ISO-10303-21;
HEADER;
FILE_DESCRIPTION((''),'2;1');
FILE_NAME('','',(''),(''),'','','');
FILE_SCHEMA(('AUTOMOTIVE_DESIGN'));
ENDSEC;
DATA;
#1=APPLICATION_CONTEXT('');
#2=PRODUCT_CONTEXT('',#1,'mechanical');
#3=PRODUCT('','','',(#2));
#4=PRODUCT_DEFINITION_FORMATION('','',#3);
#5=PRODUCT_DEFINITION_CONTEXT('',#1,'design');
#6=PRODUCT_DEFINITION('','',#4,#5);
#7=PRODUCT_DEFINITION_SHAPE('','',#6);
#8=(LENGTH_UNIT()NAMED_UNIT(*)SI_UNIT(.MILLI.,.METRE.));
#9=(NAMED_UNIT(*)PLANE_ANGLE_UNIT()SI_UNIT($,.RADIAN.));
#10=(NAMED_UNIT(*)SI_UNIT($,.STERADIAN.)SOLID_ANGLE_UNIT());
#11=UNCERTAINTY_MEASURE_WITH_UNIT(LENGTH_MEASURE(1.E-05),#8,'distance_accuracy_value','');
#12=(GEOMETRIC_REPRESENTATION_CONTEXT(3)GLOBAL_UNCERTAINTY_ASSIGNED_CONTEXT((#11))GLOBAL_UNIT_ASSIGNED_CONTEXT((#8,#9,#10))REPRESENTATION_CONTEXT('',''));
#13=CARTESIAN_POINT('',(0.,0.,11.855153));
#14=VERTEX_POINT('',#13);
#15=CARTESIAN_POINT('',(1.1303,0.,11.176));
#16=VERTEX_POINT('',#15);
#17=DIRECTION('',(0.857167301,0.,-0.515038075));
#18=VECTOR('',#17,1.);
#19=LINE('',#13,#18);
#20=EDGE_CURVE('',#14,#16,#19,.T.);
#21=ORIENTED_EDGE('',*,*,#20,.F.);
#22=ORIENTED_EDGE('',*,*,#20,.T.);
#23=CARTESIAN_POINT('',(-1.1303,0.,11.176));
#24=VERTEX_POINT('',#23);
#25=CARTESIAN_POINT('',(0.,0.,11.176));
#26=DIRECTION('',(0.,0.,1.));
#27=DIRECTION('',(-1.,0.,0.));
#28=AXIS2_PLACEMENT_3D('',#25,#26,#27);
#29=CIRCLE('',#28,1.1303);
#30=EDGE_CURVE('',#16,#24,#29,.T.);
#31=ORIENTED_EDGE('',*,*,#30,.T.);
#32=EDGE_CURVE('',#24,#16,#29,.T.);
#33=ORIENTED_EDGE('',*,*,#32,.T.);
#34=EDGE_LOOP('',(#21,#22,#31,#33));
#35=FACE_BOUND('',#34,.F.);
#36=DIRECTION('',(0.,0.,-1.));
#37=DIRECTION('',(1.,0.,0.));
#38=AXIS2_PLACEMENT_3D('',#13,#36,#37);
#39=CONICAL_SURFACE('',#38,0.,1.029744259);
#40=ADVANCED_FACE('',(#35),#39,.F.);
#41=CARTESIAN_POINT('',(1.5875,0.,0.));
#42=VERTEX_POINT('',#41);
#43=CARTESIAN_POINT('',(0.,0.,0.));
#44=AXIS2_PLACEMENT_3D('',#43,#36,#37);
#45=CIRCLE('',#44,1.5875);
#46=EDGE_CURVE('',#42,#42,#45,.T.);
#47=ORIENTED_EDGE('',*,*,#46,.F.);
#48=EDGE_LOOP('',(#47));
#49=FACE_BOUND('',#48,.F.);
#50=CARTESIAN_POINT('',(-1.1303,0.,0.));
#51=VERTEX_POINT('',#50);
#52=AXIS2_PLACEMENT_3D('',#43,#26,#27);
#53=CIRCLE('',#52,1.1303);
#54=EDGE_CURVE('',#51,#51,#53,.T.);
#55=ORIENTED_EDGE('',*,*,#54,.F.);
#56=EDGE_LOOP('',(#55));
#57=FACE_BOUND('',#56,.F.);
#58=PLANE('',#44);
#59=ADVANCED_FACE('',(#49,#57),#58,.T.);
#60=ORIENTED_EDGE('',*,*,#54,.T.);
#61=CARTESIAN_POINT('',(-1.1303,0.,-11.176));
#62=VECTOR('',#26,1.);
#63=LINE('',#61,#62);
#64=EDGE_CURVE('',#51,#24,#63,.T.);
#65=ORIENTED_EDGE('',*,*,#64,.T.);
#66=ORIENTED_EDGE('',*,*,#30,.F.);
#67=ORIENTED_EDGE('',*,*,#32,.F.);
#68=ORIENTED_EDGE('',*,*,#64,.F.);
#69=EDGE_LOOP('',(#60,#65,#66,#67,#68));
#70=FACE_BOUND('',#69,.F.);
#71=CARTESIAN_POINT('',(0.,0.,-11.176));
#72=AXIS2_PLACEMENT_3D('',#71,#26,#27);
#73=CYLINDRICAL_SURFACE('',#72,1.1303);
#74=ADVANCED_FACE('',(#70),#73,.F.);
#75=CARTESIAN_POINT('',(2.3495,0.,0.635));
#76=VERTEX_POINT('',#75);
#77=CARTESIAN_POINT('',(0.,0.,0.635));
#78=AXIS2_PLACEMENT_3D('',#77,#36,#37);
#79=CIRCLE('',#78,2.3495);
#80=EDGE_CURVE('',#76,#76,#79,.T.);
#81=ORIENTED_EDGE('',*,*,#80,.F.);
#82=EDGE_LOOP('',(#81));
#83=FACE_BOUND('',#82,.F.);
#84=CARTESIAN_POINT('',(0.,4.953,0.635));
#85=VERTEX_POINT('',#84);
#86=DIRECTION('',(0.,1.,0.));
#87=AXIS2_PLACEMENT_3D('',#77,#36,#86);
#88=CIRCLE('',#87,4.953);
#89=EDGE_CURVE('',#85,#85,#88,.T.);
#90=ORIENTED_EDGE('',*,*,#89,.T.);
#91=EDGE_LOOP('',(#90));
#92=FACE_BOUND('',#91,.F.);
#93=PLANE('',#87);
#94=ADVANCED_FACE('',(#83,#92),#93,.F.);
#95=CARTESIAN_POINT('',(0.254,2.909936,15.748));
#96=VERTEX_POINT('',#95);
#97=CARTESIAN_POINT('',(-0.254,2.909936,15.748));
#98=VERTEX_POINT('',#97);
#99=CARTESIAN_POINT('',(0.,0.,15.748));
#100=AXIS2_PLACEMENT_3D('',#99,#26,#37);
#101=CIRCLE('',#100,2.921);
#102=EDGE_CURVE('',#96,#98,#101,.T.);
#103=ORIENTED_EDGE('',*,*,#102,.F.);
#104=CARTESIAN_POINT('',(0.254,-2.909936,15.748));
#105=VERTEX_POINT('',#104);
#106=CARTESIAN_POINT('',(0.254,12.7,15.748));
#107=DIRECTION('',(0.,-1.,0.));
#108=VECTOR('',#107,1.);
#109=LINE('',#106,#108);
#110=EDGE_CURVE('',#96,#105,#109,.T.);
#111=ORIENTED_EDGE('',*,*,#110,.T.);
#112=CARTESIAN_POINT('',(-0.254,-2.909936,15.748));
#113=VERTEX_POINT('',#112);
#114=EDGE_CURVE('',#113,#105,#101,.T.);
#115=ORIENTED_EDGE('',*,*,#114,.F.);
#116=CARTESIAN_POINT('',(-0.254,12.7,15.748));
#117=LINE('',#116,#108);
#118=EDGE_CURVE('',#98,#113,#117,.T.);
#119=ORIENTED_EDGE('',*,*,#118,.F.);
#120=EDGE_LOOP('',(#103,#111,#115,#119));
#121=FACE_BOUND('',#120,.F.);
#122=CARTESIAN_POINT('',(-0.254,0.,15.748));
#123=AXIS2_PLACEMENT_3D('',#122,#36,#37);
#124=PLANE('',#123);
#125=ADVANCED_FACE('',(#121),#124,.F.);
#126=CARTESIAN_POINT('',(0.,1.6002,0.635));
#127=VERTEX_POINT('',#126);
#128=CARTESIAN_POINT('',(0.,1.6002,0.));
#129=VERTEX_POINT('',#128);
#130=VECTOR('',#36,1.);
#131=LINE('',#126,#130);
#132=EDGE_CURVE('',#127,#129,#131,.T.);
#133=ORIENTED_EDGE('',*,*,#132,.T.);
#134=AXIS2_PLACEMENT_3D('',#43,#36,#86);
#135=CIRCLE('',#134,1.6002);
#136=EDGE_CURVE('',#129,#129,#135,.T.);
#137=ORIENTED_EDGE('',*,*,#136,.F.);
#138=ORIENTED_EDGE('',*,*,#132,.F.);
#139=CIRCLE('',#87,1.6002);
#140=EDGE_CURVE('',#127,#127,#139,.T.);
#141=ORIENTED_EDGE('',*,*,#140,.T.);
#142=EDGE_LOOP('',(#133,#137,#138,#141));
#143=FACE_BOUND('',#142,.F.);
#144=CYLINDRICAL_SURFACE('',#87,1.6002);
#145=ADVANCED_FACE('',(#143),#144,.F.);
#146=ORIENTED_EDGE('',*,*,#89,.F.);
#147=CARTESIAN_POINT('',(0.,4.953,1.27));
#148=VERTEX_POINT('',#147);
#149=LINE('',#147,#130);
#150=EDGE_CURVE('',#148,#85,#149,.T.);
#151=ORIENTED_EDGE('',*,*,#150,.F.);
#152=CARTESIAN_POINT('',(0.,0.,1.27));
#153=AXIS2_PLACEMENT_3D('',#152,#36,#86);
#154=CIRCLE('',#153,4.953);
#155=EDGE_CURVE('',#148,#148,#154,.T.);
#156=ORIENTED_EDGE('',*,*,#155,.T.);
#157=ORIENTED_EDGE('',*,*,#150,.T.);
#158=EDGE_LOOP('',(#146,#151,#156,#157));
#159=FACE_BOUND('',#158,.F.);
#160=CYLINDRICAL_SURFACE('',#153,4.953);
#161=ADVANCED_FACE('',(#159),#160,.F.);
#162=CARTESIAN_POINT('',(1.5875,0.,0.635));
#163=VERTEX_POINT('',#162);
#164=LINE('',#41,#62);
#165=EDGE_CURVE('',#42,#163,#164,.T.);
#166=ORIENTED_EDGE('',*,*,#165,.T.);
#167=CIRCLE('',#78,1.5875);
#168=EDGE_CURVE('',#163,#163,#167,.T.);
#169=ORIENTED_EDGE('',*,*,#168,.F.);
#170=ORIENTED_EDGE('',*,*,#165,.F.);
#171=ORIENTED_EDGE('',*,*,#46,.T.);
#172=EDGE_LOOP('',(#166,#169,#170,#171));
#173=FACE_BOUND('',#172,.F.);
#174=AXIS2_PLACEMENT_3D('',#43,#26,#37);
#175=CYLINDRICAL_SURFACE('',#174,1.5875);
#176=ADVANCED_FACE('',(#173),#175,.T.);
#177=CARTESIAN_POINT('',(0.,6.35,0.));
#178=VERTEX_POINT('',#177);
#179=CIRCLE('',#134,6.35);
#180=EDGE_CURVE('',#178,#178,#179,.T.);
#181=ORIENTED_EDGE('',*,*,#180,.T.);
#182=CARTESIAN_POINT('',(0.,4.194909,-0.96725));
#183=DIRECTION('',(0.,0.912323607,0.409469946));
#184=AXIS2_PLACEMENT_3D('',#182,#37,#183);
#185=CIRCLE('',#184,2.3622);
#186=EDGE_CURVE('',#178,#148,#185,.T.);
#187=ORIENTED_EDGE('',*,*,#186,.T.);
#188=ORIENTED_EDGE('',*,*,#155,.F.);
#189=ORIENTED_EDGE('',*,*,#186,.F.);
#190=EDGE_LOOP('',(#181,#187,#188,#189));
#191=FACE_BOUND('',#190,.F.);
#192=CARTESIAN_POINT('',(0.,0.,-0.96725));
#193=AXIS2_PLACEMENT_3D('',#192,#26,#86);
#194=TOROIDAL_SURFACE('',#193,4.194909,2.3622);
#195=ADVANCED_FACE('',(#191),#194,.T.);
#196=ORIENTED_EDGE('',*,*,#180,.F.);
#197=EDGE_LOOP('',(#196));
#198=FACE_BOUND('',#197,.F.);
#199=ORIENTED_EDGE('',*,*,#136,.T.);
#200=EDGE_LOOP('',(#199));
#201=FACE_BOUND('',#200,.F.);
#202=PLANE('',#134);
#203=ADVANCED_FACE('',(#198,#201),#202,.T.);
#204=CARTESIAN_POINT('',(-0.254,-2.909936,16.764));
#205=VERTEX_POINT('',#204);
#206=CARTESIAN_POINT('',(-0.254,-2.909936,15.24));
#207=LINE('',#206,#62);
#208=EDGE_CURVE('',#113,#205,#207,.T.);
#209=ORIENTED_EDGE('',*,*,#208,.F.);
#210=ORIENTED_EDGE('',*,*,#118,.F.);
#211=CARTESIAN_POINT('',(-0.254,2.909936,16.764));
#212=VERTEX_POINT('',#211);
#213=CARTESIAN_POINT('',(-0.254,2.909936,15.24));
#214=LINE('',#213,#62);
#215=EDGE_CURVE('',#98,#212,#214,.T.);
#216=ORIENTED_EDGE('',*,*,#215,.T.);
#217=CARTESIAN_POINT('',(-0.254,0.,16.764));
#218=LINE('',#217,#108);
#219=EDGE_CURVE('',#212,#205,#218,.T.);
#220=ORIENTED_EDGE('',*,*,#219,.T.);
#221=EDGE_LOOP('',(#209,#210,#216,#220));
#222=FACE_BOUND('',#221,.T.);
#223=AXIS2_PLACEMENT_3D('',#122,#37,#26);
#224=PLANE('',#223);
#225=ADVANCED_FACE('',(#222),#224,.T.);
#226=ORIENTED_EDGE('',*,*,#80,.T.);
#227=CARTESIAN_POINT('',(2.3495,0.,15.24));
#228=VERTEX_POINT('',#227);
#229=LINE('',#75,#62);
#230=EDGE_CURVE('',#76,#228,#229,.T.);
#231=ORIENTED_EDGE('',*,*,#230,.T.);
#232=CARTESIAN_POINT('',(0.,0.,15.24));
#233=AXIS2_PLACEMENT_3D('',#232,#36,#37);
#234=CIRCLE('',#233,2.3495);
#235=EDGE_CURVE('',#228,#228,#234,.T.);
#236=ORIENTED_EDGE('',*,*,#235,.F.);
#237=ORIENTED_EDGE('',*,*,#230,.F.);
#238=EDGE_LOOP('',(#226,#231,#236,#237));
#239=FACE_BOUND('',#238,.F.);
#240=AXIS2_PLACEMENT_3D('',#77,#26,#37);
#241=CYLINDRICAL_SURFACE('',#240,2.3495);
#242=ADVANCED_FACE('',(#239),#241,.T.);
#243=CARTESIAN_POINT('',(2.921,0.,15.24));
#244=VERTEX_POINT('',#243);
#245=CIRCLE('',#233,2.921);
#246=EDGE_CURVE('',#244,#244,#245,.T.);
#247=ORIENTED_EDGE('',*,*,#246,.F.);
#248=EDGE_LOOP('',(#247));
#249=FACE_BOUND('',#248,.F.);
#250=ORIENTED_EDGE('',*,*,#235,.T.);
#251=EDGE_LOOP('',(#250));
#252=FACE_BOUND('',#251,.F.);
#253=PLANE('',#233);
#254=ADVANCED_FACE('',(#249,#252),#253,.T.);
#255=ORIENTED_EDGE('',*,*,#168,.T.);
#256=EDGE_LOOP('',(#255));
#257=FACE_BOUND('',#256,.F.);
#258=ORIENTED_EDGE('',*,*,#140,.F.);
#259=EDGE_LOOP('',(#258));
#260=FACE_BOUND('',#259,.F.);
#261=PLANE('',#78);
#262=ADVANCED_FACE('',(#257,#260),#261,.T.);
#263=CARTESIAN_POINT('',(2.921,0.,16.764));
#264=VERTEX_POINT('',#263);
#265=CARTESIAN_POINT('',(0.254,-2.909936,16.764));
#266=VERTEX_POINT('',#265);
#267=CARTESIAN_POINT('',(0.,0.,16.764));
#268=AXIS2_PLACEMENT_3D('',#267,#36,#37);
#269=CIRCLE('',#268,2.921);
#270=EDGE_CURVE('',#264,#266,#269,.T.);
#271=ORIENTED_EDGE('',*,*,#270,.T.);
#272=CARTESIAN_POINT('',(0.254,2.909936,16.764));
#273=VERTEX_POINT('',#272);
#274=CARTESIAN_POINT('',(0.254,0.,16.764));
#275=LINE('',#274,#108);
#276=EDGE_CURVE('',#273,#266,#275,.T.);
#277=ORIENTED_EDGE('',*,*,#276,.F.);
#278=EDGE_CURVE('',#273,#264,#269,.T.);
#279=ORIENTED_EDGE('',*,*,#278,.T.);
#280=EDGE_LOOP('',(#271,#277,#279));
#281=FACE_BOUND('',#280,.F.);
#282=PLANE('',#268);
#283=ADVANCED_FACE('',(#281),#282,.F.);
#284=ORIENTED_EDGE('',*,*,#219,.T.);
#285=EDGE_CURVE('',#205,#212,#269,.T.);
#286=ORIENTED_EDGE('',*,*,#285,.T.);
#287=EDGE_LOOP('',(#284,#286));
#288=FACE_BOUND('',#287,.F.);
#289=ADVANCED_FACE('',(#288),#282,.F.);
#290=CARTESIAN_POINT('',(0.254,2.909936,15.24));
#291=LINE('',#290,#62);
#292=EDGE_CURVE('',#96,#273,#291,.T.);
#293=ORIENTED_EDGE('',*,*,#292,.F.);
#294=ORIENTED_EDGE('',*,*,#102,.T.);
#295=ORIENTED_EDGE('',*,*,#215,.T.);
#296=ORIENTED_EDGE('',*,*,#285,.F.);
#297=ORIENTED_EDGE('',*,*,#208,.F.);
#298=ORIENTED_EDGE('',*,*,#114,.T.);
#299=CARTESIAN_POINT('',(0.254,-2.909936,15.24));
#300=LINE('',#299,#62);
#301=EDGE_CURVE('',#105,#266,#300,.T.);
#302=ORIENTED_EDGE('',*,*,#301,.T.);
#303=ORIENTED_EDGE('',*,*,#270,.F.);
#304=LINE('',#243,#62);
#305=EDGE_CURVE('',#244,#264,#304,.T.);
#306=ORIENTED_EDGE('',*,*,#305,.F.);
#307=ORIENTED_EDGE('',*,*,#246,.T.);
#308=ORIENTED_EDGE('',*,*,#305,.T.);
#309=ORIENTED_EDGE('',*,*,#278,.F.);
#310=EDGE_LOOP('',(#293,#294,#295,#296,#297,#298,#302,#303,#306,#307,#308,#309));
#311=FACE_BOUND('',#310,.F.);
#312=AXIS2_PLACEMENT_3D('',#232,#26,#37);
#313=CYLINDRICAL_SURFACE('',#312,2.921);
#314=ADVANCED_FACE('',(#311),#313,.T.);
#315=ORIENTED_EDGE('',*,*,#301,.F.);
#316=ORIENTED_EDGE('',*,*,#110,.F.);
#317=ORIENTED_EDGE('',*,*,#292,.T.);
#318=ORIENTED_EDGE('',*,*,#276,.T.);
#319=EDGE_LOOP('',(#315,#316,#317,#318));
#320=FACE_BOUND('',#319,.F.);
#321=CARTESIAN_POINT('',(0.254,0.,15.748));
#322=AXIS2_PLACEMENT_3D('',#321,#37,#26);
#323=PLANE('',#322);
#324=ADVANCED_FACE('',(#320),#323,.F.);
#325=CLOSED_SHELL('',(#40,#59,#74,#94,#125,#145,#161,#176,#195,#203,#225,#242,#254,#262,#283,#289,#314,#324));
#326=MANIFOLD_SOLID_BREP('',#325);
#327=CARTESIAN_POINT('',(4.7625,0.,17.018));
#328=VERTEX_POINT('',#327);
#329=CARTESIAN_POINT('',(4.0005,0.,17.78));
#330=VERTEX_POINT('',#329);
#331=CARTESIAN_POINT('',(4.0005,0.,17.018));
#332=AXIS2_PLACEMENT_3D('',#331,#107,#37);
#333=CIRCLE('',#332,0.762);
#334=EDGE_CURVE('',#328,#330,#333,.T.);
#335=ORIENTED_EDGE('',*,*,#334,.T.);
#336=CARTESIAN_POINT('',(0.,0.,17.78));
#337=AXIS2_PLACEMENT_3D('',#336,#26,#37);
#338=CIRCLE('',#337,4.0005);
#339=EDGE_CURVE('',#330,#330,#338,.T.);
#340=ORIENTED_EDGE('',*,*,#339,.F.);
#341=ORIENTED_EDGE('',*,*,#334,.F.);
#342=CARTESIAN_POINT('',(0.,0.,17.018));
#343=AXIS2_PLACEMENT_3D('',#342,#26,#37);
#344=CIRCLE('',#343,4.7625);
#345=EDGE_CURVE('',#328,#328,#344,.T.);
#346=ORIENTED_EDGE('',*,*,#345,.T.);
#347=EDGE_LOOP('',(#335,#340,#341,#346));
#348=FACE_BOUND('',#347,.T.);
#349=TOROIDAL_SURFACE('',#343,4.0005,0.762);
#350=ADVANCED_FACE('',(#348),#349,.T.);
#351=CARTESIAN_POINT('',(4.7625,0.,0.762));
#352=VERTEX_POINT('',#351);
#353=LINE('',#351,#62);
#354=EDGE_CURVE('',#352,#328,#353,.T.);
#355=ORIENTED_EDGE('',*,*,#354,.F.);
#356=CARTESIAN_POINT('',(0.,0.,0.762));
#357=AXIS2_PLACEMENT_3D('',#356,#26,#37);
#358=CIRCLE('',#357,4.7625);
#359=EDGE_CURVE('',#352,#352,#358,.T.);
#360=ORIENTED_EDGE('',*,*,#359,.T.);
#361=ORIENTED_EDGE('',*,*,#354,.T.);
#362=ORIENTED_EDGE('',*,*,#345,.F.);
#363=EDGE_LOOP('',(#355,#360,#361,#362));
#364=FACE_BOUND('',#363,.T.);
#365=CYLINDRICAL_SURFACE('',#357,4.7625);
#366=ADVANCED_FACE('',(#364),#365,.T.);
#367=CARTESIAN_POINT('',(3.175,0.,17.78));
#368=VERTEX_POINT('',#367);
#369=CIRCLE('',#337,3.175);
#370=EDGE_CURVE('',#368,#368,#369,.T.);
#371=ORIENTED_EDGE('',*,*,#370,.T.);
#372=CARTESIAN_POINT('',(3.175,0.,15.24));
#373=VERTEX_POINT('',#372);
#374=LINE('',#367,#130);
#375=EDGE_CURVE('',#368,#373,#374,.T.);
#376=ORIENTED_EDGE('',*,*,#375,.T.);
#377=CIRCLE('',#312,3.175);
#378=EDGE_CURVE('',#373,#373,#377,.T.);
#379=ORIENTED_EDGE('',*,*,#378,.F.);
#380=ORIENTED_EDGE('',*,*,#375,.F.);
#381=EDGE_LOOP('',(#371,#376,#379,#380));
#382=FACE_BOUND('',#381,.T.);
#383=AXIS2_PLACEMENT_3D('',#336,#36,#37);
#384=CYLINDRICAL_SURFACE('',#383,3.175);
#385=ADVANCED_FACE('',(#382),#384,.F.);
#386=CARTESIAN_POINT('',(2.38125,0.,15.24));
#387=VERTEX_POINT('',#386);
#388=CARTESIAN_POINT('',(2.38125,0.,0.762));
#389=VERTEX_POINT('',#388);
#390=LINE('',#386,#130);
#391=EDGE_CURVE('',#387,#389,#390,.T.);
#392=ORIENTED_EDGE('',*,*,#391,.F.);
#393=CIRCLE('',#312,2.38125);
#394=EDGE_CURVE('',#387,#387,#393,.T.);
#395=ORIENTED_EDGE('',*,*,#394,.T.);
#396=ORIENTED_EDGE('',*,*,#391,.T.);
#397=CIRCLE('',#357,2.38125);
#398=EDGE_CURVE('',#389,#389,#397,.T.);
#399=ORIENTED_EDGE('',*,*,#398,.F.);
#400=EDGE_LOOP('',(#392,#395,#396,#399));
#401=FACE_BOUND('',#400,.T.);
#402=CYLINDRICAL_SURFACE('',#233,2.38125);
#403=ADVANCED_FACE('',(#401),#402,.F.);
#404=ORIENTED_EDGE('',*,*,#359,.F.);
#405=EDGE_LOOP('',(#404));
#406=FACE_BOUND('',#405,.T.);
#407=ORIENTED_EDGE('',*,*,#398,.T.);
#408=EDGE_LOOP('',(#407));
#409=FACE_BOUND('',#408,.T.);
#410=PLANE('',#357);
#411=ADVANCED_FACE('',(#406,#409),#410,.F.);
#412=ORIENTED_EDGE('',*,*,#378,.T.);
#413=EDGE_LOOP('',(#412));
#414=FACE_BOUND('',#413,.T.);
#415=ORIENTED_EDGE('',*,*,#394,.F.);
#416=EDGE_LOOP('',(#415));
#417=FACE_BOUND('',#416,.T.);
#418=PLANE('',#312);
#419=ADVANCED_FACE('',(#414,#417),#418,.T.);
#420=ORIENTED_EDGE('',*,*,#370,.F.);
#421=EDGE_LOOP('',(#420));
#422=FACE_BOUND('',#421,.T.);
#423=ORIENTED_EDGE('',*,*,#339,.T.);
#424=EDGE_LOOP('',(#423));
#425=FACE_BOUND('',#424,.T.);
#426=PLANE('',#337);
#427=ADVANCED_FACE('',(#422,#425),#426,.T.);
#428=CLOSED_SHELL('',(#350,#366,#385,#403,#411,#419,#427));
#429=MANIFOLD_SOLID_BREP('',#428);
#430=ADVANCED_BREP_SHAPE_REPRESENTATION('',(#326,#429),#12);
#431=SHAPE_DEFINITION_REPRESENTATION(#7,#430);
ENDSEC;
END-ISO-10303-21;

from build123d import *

# Parameters (mm, degrees)
F4_W     = 0.508
F4_H     = 2.032
F5_DEPTH = 12.7
F7_D     = 2.2606
F7_DEPTH = 11.176
F7_TIP   = 0.6791527577
F8_R     = 0.762


with BuildPart() as f1:
    # F0 (on Front) → F1 (revolve)
    with BuildSketch(Plane.XZ):
        Polygon((2.38125, 15.24), (2.38125, 0.762), (4.7625, 0.762), (4.7625, 17.78), (3.175, 17.78), (3.175, 15.24), align=None)
    revolve(axis=Axis((0, 0, 9.8730815887), (0, 0, 1)))

    # F8
    f8_edges = [f1.edges().sort_by_distance(p)[0] for p in [
        (-4.7625, 0, 17.78),
    ]]
    fillet(f8_edges, radius=F8_R)


with BuildPart() as f3:
    # F2 (on Front) → F3 (revolve)
    with BuildSketch(Plane.XZ):
        Polygon((0, 16.764), (0, 0), (1.5875, 0), (1.5875, 0.635), (2.3495, 0.635), (2.3495, 15.24), (2.921, 15.24), (2.921, 16.764), align=None)
    revolve(axis=Axis((0, 0, 8.382), (0, 0, -1)))

    # F4 (on Front) → F5 (cut, symmetric)
    with BuildSketch(Plane.XZ):
        with Locations((0, 16.764)):
            Rectangle(F4_W, F4_H)
    extrude(amount=F5_DEPTH, both=True, mode=Mode.SUBTRACT)

    # F7
    with Locations(Plane(origin=(0, 0, 0), x_dir=(1, 0, 0), z_dir=(0, 0, -1))):
        with Locations((0, 0)):
            Hole(F7_D / 2, depth=F7_DEPTH)
            with Locations((0, 0, -(F7_DEPTH + F7_TIP / 2))):  # 118° drill point
                Cone(0, F7_D / 2, F7_TIP, mode=Mode.SUBTRACT)

    # F9 (on Right) → F10 (revolve)
    with BuildSketch(Plane.YZ):
        with BuildLine():
            Line((4.953, 0.635), (1.6002, 0.635))
            Line((1.6002, 0.635), (1.6002, 0))
            Line((1.6002, 0), (6.35, 0))
            ThreePointArc((6.35, 0), (5.7838968502, 0.7806365352), (4.953, 1.27))
            Line((4.953, 1.27), (4.953, 0.635))
        make_face()
    revolve(axis=Axis((0, 0, -1.7858503852), (0, 0, -1)))


solid = Compound([f1.part, f3.part])
